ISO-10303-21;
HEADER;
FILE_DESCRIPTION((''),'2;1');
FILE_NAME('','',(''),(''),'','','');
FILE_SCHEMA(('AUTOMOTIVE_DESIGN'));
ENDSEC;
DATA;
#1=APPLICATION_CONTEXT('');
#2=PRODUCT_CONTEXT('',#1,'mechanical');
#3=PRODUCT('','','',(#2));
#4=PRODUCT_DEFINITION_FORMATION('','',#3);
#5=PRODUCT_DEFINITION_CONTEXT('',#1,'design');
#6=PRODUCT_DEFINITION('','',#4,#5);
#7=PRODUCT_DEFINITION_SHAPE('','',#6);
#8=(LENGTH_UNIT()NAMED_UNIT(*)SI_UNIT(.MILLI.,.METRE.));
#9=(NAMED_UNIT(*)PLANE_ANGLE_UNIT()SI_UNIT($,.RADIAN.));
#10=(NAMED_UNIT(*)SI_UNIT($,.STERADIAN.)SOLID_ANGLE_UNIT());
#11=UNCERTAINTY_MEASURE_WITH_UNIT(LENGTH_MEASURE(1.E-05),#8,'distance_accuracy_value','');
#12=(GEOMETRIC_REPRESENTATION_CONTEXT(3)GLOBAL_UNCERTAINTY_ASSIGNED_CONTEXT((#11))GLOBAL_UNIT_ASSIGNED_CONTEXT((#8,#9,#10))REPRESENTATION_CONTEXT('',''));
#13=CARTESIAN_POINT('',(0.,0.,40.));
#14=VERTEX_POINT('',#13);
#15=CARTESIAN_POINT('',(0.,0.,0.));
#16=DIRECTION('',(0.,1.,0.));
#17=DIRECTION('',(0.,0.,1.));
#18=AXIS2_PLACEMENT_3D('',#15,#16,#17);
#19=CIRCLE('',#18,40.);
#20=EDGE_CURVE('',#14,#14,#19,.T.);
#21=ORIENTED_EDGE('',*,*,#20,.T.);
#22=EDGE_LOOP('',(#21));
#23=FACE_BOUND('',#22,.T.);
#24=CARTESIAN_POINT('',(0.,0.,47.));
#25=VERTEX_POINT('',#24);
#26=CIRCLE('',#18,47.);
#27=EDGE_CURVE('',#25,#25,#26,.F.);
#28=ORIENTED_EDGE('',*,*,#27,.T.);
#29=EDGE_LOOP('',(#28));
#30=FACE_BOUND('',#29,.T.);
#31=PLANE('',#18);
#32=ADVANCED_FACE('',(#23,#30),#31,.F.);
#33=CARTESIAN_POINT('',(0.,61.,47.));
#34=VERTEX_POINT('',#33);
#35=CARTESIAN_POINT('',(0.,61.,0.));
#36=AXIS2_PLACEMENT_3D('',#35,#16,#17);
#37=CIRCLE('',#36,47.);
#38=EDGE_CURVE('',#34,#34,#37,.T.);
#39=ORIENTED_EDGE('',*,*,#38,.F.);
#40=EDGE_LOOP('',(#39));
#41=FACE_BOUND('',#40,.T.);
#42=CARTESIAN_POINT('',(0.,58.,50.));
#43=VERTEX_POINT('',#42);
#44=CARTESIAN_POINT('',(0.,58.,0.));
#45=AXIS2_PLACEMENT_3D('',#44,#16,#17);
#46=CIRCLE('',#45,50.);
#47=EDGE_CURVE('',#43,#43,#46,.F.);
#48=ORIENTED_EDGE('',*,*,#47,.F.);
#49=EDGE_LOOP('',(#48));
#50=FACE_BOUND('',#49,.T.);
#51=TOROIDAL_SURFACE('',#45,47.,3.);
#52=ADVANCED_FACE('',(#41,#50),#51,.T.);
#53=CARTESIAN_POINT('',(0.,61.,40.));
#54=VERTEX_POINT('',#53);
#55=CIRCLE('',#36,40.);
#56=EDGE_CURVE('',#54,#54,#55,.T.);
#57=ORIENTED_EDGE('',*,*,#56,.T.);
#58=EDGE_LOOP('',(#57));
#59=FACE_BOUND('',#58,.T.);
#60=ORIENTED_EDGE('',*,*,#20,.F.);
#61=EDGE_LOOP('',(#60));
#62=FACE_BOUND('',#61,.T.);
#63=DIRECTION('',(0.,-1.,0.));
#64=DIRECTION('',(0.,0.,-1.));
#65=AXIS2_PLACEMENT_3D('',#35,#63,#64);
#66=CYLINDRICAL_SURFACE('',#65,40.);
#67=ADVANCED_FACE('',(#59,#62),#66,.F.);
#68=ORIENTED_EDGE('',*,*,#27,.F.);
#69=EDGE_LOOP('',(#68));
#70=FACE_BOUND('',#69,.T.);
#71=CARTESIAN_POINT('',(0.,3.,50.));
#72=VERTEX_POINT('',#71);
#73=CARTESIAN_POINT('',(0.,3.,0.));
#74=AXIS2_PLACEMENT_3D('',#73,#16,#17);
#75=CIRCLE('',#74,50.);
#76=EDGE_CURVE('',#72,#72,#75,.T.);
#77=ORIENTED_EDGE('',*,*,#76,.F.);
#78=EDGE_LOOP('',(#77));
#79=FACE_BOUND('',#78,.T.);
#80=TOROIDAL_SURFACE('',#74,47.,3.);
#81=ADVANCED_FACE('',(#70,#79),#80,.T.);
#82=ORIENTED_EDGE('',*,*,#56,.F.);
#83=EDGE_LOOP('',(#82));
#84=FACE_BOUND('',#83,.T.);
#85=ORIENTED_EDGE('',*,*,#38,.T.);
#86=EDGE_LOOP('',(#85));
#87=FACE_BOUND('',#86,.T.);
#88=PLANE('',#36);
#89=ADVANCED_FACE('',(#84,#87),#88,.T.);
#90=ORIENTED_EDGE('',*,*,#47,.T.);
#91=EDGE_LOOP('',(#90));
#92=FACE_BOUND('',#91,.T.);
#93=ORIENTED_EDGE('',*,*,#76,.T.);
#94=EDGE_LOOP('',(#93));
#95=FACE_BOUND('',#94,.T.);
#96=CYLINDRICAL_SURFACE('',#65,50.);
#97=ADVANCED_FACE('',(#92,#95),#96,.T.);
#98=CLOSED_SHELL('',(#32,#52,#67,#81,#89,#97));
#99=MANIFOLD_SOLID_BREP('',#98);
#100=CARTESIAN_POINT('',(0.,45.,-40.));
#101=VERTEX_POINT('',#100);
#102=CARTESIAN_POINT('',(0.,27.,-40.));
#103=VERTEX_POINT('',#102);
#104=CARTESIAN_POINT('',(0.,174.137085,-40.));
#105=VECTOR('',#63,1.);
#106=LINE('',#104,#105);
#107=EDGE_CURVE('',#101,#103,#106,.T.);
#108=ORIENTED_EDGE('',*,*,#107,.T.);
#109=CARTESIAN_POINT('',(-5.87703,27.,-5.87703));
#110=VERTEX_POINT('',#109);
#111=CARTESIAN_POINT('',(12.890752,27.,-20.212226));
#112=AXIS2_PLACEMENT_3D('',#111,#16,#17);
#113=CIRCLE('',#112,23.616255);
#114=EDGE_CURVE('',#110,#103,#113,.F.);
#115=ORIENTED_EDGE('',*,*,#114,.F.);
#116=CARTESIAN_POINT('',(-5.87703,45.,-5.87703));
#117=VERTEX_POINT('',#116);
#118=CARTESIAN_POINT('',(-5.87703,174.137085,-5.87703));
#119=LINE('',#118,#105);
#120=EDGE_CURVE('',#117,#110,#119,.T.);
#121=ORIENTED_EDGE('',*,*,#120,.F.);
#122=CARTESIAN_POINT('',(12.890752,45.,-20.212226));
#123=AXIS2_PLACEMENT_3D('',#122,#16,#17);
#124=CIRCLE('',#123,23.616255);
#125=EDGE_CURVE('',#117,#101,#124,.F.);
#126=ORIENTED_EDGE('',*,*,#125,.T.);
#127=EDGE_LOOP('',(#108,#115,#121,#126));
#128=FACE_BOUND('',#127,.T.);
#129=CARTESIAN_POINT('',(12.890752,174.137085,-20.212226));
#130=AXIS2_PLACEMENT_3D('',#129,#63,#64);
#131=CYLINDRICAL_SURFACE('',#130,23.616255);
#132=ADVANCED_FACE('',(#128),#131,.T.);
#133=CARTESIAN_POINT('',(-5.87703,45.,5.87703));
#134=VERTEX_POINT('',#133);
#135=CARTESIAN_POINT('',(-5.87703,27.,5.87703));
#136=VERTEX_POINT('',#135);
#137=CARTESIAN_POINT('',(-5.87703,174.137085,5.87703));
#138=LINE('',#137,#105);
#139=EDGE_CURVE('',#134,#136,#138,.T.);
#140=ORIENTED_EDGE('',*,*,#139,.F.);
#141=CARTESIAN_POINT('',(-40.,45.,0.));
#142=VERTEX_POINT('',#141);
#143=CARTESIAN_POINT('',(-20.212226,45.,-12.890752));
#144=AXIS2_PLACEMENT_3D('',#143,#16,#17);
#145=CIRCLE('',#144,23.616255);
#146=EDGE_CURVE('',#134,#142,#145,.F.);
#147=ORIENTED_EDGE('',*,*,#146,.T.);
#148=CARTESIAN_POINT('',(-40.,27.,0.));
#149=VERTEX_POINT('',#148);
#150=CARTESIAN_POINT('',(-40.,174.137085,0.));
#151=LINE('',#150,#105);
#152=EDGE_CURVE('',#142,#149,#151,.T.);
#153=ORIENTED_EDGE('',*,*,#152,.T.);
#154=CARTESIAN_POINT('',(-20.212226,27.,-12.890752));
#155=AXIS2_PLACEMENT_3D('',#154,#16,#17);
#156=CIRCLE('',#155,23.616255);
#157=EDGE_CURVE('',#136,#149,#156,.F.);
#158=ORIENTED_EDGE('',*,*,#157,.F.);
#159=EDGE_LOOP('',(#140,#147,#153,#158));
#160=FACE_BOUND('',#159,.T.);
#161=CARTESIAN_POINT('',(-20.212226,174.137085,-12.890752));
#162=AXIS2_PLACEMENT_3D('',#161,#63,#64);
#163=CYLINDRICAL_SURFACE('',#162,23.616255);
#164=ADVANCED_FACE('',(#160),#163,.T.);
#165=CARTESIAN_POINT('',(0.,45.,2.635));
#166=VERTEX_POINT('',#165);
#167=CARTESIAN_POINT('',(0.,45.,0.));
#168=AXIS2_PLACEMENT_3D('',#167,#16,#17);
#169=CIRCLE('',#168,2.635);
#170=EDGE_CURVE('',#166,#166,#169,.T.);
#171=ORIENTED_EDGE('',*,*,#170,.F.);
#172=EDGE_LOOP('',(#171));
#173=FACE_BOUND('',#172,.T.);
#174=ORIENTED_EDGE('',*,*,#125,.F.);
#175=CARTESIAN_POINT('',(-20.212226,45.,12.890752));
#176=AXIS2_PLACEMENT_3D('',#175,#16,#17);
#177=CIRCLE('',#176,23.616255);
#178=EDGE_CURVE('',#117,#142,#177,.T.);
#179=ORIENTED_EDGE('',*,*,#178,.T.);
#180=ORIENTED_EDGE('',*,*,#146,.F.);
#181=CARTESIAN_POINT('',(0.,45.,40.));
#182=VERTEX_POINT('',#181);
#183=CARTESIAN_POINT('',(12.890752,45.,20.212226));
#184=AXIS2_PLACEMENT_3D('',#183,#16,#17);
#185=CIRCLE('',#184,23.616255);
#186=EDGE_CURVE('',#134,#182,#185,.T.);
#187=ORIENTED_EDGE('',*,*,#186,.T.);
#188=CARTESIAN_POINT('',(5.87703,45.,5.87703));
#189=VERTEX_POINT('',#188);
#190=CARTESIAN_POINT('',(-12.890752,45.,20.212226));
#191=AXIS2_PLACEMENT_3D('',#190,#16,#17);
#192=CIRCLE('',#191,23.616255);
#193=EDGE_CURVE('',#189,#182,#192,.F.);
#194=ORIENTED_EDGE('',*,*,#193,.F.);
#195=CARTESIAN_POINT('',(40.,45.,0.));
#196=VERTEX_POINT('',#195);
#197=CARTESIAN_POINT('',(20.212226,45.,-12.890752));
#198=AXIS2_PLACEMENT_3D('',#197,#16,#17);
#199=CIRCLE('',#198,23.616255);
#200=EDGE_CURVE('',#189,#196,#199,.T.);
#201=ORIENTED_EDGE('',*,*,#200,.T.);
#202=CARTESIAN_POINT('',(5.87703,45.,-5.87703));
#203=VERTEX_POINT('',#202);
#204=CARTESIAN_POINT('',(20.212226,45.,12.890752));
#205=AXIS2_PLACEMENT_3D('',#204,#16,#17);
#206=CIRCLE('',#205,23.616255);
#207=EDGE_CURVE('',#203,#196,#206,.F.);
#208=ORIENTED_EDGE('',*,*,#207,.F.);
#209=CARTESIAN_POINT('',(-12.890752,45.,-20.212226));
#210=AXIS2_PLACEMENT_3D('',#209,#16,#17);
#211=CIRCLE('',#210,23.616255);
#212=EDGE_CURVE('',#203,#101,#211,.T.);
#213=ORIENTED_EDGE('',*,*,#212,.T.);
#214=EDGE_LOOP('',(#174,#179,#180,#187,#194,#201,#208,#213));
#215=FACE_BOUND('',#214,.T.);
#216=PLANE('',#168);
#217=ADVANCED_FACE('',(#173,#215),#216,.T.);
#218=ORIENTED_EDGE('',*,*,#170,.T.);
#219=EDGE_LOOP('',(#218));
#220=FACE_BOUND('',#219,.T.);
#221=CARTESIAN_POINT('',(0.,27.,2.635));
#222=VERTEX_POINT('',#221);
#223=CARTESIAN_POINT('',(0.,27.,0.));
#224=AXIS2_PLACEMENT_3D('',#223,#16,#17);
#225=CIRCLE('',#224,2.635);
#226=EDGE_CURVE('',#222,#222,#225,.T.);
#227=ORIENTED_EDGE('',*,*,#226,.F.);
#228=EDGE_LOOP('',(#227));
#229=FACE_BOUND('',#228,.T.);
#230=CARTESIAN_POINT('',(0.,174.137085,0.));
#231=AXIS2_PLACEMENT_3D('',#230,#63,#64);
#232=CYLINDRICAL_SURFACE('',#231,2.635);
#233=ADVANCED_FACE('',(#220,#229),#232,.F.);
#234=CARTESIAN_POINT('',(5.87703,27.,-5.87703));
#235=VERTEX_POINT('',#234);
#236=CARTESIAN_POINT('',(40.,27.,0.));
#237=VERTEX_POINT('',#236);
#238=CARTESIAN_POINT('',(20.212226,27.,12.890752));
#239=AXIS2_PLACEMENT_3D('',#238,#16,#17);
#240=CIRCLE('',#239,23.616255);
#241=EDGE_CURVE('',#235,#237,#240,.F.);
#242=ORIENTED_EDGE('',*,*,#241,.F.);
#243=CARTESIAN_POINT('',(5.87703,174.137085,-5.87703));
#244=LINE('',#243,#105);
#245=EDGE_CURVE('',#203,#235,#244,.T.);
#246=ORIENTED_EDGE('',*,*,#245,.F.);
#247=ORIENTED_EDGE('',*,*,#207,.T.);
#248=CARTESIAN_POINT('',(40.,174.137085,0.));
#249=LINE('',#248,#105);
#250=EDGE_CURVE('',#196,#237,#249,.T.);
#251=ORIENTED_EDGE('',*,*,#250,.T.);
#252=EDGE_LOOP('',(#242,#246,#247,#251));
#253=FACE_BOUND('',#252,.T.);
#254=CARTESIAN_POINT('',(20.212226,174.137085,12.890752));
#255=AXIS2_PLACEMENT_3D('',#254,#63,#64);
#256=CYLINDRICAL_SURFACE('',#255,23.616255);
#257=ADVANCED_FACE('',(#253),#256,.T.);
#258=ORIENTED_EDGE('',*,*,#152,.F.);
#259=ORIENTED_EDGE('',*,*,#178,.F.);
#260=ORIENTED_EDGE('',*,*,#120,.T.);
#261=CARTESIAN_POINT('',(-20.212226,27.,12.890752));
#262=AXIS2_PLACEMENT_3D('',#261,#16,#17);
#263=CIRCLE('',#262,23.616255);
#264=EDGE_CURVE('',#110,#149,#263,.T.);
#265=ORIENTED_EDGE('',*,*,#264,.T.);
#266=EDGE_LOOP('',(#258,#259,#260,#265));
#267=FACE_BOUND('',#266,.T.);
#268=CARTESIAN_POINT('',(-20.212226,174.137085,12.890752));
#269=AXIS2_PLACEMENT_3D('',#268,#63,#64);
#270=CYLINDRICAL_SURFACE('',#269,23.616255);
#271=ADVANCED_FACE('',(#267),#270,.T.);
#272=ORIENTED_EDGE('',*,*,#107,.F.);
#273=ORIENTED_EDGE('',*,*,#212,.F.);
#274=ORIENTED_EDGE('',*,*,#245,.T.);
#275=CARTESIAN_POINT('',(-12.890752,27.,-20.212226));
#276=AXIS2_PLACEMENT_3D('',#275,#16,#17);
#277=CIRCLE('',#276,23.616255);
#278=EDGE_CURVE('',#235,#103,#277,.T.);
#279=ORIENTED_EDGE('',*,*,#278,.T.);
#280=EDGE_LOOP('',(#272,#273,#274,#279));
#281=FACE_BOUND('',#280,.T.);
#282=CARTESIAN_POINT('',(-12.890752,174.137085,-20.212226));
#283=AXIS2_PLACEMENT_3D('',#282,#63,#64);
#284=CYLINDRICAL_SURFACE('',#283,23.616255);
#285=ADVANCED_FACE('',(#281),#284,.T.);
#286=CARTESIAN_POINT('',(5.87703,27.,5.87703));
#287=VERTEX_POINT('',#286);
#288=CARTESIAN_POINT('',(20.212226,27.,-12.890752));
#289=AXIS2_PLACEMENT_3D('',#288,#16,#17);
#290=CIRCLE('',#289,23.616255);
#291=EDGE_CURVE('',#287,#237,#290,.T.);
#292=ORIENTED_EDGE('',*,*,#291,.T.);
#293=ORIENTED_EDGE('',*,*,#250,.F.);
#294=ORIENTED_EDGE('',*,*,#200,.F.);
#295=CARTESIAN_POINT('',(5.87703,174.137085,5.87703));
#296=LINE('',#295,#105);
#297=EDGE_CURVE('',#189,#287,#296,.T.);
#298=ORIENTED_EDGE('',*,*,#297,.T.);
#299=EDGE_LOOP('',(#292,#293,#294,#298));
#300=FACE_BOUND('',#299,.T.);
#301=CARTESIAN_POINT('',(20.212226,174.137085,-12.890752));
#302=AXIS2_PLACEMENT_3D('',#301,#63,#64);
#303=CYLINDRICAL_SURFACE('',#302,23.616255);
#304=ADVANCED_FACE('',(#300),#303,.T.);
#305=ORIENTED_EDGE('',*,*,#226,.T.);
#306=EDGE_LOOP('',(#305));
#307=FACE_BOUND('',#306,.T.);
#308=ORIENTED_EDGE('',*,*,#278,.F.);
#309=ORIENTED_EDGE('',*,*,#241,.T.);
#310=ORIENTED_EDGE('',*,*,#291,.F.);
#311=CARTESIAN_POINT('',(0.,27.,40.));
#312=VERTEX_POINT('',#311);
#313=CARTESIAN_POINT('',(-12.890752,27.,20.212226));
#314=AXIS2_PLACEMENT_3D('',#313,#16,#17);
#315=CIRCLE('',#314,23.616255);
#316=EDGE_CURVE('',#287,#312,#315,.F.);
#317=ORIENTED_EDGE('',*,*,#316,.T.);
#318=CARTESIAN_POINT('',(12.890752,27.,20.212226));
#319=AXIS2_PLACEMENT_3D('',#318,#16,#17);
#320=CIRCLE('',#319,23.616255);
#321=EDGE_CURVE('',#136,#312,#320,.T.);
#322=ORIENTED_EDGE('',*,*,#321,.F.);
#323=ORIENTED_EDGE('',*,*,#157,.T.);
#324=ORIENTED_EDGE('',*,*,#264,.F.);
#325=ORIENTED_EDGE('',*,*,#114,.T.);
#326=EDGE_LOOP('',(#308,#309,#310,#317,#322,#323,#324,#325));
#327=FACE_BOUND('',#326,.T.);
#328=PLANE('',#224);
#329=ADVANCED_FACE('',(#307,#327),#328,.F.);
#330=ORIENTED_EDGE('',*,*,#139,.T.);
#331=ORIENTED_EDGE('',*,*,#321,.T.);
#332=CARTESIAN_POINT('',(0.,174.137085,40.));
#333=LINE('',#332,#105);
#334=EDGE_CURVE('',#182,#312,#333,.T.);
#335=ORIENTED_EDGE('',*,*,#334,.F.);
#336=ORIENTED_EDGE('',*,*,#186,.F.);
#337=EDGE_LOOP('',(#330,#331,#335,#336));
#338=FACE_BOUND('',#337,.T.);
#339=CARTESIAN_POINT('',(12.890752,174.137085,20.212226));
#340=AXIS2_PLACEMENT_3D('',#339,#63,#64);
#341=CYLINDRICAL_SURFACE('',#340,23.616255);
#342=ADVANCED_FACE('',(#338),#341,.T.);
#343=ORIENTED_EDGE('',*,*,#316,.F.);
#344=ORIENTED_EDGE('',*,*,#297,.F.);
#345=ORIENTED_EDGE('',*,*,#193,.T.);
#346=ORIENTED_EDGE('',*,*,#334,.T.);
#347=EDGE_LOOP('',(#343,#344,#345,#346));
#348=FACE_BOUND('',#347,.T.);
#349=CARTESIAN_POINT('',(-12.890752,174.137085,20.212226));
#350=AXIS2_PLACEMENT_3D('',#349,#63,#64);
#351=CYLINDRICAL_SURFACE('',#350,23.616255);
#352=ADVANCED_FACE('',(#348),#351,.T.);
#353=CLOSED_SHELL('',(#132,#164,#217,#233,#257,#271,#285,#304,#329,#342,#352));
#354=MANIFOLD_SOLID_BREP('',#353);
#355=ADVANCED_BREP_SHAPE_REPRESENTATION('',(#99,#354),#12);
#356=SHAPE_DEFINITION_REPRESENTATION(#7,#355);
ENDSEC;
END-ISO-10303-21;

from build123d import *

# Parameters (mm, degrees)
SKETCH1_R           = 50
SKETCH1_R_2         = 40
BOSS_EXTRUDE1_DEPTH = 61
BOSS_EXTRUDE2_START = 27
SKETCH1_3_R         = 2.635
BOSS_EXTRUDE2_DEPTH = 18
FILLET1_R           = 3


with BuildPart() as part:
    # Sketch1 → Boss-Extrude1 (new body)
    with BuildSketch(Plane(origin=(0, 0, 0), x_dir=(1, 0, 0), z_dir=(0, 1, 0))):
        Circle(SKETCH1_R)
        Circle(SKETCH1_R_2, mode=Mode.SUBTRACT)
    extrude(amount=BOSS_EXTRUDE1_DEPTH)

    # Fillet1
    fillet1_edges = [part.edges().sort_by_distance(p)[0] for p in [
        (-50, 61, 0),
        (-50, 0, 0),
    ]]
    fillet(fillet1_edges, radius=FILLET1_R)


with BuildPart() as body_2:
    # Sketch1<3> → Boss-Extrude2 (new body)
    with BuildSketch(Plane(origin=(0, 0, 0), x_dir=(1, 0, 0), z_dir=(0, 1, 0)).offset(BOSS_EXTRUDE2_START)):
        with BuildLine():
            ThreePointArc((5.877030144, 5.877030144), (24.220657484, 10.382837425), (40, 0))
            ThreePointArc((40, 0), (24.220657484, -10.382837425), (5.877030144, -5.877030144))
            ThreePointArc((5.877030144, -5.877030144), (10.382837425, -24.220657484), (0, -40))
            ThreePointArc((0, -40), (-10.382837425, -24.220657484), (-5.877030144, -5.877030144))
            ThreePointArc((-5.877030144, -5.877030144), (-24.220657484, -10.382837425), (-40, 0))
            ThreePointArc((-40, 0), (-24.220657484, 10.382837425), (-5.877030144, 5.877030144))
            ThreePointArc((-5.877030144, 5.877030144), (-10.382837425, 24.220657484), (0, 40))
            ThreePointArc((0, 40), (10.382837425, 24.220657484), (5.877030144, 5.877030144))
        make_face()
        Circle(SKETCH1_3_R, mode=Mode.SUBTRACT)
    extrude(amount=BOSS_EXTRUDE2_DEPTH)


solid = Compound([part.part, body_2.part])
